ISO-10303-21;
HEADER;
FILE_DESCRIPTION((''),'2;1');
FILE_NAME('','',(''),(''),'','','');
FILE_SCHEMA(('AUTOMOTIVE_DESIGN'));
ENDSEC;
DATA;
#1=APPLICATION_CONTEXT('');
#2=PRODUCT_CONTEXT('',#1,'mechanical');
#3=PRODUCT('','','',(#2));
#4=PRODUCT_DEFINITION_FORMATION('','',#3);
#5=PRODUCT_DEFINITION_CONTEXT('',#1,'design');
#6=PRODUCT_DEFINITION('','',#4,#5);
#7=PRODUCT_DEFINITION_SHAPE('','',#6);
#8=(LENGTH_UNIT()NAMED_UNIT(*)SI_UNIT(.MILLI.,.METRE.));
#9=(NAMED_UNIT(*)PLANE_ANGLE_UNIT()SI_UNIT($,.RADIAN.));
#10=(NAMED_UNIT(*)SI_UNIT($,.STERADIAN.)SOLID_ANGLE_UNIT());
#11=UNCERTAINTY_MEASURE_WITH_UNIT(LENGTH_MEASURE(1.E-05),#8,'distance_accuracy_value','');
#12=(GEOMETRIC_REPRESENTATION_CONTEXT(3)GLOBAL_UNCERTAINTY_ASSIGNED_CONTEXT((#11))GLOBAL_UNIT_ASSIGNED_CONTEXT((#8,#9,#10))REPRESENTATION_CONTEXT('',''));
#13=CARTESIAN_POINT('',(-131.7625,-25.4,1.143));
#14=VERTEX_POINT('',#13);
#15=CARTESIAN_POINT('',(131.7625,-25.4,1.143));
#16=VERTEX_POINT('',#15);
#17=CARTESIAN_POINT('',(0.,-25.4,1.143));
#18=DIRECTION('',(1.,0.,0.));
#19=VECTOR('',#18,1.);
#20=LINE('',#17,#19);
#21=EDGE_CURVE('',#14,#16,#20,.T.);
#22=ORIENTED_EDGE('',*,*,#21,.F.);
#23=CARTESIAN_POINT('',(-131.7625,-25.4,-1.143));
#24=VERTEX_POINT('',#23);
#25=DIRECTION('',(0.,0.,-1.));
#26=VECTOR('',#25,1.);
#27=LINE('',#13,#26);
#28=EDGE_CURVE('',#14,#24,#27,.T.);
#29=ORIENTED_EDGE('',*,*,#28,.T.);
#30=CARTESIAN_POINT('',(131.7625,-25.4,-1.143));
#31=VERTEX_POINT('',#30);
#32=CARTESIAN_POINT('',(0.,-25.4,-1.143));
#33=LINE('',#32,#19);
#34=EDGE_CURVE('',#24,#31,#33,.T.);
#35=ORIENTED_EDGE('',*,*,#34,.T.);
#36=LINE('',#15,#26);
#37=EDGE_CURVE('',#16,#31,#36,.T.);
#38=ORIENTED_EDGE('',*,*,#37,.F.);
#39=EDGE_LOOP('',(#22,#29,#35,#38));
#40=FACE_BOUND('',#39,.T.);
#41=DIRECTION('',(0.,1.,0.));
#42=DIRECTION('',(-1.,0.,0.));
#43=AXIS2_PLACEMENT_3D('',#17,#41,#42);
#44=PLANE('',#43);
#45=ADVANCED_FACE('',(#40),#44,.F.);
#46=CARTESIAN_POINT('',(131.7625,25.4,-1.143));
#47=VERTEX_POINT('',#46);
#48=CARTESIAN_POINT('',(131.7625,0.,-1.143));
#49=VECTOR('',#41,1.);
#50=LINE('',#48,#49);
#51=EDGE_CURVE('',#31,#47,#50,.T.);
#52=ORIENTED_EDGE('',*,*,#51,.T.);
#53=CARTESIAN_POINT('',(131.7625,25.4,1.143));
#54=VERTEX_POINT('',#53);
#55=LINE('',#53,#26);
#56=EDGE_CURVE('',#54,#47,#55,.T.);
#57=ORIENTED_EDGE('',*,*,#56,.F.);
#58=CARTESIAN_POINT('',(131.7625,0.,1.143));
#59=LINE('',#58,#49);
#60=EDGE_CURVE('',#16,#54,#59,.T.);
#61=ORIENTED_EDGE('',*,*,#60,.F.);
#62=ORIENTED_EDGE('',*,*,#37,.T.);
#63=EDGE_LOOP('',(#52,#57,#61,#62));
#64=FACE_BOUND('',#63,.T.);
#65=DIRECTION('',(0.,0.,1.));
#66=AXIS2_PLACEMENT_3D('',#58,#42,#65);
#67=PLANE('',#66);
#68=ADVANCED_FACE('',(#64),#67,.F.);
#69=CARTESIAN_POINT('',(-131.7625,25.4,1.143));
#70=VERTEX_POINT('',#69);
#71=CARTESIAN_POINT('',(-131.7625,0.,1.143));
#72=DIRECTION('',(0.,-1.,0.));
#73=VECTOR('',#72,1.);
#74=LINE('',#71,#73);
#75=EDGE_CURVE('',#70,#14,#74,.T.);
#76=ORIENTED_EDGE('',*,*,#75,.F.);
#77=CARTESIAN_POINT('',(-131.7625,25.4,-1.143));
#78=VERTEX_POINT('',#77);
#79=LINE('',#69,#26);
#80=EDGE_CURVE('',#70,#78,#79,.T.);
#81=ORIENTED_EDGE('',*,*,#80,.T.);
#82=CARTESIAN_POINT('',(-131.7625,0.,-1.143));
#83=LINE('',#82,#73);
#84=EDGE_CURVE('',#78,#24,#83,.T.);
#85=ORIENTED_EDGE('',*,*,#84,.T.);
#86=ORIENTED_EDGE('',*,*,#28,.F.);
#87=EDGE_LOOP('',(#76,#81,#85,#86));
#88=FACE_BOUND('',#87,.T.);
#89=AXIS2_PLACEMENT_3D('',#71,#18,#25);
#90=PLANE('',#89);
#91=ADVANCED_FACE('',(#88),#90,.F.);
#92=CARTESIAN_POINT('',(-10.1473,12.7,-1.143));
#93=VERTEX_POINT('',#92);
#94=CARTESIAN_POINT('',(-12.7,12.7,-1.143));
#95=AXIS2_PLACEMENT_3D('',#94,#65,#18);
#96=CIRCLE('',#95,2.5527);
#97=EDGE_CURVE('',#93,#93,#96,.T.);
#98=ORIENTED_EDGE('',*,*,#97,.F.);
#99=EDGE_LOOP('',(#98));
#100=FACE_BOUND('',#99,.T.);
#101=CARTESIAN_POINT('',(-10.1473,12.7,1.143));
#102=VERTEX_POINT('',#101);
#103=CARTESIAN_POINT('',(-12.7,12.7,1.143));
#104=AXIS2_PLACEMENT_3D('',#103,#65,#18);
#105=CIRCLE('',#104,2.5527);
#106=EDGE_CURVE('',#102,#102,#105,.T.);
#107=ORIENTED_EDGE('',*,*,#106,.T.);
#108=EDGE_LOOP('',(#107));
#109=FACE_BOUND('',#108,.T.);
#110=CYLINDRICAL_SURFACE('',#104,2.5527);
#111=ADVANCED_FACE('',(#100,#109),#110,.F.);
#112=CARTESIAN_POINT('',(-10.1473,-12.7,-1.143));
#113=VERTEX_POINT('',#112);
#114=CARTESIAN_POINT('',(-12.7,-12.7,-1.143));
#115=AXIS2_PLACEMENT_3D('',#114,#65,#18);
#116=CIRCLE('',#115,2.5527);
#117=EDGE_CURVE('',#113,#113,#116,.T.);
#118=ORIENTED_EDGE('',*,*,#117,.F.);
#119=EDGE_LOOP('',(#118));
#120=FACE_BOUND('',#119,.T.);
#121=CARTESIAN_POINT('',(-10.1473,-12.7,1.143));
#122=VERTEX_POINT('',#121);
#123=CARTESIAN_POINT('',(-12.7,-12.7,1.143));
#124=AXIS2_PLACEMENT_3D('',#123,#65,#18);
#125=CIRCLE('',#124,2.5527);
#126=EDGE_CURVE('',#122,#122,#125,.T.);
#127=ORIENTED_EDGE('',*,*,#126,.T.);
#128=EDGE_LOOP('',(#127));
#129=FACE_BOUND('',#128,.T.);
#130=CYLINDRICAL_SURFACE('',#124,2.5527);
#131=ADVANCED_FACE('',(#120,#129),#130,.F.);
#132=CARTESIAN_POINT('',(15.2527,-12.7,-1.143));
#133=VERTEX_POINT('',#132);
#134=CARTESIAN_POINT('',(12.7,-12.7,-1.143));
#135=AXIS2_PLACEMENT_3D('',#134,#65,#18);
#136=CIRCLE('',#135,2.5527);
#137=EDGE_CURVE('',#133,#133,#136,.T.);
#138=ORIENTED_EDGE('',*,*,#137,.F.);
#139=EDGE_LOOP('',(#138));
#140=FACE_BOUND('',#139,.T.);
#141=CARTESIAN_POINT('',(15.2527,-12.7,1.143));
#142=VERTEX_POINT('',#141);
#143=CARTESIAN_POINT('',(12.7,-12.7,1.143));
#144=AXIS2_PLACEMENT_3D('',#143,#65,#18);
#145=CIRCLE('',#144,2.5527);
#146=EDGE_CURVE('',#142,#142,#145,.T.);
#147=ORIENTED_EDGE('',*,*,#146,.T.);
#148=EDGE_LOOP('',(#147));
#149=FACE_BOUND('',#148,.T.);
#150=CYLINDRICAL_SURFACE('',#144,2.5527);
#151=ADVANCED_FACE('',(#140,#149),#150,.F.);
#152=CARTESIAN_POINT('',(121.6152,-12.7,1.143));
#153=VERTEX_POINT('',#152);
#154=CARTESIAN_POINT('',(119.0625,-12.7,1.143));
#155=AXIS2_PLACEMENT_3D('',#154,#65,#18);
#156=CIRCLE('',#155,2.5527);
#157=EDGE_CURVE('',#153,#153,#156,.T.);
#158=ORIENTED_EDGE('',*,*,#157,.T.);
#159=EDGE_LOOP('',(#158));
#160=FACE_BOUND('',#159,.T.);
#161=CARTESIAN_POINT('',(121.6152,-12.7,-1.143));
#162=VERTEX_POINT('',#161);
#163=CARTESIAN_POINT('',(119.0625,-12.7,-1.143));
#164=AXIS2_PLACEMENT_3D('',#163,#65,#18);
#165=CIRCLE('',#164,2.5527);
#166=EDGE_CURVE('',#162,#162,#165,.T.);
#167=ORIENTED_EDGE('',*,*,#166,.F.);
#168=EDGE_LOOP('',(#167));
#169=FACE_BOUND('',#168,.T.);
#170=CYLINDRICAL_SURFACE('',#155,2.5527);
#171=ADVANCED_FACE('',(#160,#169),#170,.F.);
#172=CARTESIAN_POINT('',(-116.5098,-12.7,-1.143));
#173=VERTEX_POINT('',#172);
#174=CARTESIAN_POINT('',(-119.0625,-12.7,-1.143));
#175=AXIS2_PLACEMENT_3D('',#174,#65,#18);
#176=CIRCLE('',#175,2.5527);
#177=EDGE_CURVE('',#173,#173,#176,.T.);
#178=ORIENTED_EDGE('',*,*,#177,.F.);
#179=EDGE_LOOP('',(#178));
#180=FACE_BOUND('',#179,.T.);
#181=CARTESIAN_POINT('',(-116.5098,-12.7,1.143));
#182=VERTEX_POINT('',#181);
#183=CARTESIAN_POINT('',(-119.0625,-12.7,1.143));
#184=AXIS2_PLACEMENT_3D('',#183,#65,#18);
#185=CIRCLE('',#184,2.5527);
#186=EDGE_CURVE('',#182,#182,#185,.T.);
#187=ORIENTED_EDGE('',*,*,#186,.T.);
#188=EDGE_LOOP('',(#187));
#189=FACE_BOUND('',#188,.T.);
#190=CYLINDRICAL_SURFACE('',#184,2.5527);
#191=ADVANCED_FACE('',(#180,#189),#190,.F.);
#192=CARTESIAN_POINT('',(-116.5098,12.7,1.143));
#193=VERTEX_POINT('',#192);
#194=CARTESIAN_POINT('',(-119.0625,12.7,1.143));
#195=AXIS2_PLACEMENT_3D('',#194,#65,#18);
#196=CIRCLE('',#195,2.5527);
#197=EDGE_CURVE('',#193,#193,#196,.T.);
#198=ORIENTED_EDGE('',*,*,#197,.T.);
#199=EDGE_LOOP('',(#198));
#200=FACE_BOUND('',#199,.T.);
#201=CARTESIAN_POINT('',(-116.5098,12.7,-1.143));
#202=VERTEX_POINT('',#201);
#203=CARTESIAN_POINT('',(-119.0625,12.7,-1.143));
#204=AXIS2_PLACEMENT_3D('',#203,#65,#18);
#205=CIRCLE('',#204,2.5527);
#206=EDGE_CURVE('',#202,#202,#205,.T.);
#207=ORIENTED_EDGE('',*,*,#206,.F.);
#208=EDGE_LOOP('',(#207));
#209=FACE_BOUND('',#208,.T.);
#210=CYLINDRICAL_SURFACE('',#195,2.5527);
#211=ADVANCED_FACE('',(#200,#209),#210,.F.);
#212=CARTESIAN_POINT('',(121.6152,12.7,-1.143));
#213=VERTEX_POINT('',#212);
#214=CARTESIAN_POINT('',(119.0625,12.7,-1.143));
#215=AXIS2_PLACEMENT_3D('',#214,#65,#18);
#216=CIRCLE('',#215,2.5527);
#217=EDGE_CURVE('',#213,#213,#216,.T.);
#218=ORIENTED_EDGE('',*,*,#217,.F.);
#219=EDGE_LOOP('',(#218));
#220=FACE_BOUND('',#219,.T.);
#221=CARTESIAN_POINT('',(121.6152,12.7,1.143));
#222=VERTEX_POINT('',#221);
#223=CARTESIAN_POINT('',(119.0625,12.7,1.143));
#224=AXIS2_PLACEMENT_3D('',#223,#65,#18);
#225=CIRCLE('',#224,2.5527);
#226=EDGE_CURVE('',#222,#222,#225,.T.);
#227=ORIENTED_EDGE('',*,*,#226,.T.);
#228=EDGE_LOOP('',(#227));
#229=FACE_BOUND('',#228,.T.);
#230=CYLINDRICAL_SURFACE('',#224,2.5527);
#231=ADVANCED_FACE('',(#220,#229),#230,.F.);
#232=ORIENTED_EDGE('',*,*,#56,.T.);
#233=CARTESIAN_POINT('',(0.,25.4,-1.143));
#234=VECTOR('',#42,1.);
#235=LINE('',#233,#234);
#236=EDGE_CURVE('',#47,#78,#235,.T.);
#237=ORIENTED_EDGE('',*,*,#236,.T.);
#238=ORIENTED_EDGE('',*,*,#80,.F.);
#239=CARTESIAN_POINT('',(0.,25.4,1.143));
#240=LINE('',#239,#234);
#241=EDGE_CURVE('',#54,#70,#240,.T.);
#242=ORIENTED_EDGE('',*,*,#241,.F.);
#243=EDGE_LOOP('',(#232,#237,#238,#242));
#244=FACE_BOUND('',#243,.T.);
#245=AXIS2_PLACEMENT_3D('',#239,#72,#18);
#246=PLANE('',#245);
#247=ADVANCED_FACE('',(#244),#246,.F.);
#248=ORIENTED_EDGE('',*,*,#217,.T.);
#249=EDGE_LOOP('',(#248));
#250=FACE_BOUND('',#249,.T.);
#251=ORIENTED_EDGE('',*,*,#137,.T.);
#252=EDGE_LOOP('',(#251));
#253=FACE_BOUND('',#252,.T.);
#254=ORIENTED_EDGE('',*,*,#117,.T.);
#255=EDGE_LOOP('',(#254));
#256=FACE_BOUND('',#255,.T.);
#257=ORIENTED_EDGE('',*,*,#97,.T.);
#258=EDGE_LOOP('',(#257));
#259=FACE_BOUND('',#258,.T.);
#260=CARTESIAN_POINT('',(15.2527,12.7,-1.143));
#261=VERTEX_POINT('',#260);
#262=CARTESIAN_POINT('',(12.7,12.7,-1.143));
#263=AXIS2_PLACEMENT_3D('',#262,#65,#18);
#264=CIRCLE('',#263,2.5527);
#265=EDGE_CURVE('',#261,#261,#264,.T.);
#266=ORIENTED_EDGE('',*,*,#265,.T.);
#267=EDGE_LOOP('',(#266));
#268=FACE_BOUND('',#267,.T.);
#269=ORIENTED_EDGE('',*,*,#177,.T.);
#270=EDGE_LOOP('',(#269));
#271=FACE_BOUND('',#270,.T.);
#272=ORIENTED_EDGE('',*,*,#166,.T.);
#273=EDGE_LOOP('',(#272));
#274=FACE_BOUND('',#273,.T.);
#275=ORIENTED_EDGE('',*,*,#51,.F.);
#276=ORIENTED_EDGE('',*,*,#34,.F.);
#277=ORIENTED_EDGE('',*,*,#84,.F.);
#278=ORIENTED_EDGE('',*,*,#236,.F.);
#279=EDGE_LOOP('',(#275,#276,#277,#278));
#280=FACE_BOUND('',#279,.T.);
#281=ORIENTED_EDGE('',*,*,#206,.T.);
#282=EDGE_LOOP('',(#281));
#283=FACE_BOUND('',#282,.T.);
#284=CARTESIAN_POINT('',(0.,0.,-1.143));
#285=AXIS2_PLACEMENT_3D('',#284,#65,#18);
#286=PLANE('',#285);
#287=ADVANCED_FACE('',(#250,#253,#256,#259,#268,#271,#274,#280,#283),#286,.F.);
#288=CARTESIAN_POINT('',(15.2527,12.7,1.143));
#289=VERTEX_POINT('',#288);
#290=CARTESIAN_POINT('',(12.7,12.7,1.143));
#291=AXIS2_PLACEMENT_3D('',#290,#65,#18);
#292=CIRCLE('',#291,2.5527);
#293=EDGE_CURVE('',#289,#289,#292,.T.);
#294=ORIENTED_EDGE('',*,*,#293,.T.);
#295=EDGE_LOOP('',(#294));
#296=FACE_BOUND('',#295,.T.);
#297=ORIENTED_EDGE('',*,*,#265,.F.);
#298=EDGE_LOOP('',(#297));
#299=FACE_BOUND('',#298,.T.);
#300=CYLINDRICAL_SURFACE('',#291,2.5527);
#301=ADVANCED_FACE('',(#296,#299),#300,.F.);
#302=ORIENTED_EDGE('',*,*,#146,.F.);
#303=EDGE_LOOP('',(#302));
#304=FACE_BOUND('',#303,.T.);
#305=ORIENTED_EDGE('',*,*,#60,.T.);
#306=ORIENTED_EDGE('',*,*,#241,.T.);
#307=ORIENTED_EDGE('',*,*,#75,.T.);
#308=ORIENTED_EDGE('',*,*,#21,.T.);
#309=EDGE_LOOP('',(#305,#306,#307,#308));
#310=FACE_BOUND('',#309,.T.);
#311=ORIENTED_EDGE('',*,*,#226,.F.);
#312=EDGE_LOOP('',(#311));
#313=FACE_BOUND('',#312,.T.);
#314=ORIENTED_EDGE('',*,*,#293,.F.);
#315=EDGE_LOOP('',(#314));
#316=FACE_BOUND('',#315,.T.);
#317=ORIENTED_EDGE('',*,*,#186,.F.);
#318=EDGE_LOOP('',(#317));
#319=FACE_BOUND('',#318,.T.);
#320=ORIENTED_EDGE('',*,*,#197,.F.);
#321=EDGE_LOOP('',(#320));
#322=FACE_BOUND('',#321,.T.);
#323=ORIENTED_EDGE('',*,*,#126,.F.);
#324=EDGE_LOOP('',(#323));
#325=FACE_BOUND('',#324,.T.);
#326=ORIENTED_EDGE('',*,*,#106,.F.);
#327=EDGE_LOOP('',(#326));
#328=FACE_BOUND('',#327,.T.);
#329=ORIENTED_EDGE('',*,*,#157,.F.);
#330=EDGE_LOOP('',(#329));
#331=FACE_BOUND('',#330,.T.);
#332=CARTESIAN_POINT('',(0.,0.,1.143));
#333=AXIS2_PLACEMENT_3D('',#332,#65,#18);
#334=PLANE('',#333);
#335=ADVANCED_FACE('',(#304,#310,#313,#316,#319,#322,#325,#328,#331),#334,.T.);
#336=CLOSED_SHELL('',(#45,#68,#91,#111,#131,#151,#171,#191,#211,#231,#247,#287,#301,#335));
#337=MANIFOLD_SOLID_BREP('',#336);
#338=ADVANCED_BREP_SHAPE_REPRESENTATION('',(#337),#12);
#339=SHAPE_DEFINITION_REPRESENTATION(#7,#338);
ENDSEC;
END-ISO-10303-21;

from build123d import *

# Parameters (mm, degrees)
SKETCH1_W              = 263.525
SKETCH1_H              = 50.8
BOSS_EXTRUDE1_DEPTH    = 1.143
F_10_CLEARANCE_HOLE1_D = 5.1054


with BuildPart() as part:
    # Sketch1 → Boss-Extrude1 (new, symmetric)
    with BuildSketch(Plane.XY):
        Rectangle(SKETCH1_W, SKETCH1_H)
    extrude(amount=BOSS_EXTRUDE1_DEPTH, both=True)

    # #10 Clearance Hole1 (through all)
    with Locations(Plane.XY.offset(1.143)):
        with Locations((-119.0625, 12.7), (-119.0625, -12.7), (-12.7, 12.7), (-12.7, -12.7), (12.7, -12.7), (12.7, 12.7), (119.0625, 12.7), (119.0625, -12.7)):
            Hole(F_10_CLEARANCE_HOLE1_D / 2)


solid = part.part
